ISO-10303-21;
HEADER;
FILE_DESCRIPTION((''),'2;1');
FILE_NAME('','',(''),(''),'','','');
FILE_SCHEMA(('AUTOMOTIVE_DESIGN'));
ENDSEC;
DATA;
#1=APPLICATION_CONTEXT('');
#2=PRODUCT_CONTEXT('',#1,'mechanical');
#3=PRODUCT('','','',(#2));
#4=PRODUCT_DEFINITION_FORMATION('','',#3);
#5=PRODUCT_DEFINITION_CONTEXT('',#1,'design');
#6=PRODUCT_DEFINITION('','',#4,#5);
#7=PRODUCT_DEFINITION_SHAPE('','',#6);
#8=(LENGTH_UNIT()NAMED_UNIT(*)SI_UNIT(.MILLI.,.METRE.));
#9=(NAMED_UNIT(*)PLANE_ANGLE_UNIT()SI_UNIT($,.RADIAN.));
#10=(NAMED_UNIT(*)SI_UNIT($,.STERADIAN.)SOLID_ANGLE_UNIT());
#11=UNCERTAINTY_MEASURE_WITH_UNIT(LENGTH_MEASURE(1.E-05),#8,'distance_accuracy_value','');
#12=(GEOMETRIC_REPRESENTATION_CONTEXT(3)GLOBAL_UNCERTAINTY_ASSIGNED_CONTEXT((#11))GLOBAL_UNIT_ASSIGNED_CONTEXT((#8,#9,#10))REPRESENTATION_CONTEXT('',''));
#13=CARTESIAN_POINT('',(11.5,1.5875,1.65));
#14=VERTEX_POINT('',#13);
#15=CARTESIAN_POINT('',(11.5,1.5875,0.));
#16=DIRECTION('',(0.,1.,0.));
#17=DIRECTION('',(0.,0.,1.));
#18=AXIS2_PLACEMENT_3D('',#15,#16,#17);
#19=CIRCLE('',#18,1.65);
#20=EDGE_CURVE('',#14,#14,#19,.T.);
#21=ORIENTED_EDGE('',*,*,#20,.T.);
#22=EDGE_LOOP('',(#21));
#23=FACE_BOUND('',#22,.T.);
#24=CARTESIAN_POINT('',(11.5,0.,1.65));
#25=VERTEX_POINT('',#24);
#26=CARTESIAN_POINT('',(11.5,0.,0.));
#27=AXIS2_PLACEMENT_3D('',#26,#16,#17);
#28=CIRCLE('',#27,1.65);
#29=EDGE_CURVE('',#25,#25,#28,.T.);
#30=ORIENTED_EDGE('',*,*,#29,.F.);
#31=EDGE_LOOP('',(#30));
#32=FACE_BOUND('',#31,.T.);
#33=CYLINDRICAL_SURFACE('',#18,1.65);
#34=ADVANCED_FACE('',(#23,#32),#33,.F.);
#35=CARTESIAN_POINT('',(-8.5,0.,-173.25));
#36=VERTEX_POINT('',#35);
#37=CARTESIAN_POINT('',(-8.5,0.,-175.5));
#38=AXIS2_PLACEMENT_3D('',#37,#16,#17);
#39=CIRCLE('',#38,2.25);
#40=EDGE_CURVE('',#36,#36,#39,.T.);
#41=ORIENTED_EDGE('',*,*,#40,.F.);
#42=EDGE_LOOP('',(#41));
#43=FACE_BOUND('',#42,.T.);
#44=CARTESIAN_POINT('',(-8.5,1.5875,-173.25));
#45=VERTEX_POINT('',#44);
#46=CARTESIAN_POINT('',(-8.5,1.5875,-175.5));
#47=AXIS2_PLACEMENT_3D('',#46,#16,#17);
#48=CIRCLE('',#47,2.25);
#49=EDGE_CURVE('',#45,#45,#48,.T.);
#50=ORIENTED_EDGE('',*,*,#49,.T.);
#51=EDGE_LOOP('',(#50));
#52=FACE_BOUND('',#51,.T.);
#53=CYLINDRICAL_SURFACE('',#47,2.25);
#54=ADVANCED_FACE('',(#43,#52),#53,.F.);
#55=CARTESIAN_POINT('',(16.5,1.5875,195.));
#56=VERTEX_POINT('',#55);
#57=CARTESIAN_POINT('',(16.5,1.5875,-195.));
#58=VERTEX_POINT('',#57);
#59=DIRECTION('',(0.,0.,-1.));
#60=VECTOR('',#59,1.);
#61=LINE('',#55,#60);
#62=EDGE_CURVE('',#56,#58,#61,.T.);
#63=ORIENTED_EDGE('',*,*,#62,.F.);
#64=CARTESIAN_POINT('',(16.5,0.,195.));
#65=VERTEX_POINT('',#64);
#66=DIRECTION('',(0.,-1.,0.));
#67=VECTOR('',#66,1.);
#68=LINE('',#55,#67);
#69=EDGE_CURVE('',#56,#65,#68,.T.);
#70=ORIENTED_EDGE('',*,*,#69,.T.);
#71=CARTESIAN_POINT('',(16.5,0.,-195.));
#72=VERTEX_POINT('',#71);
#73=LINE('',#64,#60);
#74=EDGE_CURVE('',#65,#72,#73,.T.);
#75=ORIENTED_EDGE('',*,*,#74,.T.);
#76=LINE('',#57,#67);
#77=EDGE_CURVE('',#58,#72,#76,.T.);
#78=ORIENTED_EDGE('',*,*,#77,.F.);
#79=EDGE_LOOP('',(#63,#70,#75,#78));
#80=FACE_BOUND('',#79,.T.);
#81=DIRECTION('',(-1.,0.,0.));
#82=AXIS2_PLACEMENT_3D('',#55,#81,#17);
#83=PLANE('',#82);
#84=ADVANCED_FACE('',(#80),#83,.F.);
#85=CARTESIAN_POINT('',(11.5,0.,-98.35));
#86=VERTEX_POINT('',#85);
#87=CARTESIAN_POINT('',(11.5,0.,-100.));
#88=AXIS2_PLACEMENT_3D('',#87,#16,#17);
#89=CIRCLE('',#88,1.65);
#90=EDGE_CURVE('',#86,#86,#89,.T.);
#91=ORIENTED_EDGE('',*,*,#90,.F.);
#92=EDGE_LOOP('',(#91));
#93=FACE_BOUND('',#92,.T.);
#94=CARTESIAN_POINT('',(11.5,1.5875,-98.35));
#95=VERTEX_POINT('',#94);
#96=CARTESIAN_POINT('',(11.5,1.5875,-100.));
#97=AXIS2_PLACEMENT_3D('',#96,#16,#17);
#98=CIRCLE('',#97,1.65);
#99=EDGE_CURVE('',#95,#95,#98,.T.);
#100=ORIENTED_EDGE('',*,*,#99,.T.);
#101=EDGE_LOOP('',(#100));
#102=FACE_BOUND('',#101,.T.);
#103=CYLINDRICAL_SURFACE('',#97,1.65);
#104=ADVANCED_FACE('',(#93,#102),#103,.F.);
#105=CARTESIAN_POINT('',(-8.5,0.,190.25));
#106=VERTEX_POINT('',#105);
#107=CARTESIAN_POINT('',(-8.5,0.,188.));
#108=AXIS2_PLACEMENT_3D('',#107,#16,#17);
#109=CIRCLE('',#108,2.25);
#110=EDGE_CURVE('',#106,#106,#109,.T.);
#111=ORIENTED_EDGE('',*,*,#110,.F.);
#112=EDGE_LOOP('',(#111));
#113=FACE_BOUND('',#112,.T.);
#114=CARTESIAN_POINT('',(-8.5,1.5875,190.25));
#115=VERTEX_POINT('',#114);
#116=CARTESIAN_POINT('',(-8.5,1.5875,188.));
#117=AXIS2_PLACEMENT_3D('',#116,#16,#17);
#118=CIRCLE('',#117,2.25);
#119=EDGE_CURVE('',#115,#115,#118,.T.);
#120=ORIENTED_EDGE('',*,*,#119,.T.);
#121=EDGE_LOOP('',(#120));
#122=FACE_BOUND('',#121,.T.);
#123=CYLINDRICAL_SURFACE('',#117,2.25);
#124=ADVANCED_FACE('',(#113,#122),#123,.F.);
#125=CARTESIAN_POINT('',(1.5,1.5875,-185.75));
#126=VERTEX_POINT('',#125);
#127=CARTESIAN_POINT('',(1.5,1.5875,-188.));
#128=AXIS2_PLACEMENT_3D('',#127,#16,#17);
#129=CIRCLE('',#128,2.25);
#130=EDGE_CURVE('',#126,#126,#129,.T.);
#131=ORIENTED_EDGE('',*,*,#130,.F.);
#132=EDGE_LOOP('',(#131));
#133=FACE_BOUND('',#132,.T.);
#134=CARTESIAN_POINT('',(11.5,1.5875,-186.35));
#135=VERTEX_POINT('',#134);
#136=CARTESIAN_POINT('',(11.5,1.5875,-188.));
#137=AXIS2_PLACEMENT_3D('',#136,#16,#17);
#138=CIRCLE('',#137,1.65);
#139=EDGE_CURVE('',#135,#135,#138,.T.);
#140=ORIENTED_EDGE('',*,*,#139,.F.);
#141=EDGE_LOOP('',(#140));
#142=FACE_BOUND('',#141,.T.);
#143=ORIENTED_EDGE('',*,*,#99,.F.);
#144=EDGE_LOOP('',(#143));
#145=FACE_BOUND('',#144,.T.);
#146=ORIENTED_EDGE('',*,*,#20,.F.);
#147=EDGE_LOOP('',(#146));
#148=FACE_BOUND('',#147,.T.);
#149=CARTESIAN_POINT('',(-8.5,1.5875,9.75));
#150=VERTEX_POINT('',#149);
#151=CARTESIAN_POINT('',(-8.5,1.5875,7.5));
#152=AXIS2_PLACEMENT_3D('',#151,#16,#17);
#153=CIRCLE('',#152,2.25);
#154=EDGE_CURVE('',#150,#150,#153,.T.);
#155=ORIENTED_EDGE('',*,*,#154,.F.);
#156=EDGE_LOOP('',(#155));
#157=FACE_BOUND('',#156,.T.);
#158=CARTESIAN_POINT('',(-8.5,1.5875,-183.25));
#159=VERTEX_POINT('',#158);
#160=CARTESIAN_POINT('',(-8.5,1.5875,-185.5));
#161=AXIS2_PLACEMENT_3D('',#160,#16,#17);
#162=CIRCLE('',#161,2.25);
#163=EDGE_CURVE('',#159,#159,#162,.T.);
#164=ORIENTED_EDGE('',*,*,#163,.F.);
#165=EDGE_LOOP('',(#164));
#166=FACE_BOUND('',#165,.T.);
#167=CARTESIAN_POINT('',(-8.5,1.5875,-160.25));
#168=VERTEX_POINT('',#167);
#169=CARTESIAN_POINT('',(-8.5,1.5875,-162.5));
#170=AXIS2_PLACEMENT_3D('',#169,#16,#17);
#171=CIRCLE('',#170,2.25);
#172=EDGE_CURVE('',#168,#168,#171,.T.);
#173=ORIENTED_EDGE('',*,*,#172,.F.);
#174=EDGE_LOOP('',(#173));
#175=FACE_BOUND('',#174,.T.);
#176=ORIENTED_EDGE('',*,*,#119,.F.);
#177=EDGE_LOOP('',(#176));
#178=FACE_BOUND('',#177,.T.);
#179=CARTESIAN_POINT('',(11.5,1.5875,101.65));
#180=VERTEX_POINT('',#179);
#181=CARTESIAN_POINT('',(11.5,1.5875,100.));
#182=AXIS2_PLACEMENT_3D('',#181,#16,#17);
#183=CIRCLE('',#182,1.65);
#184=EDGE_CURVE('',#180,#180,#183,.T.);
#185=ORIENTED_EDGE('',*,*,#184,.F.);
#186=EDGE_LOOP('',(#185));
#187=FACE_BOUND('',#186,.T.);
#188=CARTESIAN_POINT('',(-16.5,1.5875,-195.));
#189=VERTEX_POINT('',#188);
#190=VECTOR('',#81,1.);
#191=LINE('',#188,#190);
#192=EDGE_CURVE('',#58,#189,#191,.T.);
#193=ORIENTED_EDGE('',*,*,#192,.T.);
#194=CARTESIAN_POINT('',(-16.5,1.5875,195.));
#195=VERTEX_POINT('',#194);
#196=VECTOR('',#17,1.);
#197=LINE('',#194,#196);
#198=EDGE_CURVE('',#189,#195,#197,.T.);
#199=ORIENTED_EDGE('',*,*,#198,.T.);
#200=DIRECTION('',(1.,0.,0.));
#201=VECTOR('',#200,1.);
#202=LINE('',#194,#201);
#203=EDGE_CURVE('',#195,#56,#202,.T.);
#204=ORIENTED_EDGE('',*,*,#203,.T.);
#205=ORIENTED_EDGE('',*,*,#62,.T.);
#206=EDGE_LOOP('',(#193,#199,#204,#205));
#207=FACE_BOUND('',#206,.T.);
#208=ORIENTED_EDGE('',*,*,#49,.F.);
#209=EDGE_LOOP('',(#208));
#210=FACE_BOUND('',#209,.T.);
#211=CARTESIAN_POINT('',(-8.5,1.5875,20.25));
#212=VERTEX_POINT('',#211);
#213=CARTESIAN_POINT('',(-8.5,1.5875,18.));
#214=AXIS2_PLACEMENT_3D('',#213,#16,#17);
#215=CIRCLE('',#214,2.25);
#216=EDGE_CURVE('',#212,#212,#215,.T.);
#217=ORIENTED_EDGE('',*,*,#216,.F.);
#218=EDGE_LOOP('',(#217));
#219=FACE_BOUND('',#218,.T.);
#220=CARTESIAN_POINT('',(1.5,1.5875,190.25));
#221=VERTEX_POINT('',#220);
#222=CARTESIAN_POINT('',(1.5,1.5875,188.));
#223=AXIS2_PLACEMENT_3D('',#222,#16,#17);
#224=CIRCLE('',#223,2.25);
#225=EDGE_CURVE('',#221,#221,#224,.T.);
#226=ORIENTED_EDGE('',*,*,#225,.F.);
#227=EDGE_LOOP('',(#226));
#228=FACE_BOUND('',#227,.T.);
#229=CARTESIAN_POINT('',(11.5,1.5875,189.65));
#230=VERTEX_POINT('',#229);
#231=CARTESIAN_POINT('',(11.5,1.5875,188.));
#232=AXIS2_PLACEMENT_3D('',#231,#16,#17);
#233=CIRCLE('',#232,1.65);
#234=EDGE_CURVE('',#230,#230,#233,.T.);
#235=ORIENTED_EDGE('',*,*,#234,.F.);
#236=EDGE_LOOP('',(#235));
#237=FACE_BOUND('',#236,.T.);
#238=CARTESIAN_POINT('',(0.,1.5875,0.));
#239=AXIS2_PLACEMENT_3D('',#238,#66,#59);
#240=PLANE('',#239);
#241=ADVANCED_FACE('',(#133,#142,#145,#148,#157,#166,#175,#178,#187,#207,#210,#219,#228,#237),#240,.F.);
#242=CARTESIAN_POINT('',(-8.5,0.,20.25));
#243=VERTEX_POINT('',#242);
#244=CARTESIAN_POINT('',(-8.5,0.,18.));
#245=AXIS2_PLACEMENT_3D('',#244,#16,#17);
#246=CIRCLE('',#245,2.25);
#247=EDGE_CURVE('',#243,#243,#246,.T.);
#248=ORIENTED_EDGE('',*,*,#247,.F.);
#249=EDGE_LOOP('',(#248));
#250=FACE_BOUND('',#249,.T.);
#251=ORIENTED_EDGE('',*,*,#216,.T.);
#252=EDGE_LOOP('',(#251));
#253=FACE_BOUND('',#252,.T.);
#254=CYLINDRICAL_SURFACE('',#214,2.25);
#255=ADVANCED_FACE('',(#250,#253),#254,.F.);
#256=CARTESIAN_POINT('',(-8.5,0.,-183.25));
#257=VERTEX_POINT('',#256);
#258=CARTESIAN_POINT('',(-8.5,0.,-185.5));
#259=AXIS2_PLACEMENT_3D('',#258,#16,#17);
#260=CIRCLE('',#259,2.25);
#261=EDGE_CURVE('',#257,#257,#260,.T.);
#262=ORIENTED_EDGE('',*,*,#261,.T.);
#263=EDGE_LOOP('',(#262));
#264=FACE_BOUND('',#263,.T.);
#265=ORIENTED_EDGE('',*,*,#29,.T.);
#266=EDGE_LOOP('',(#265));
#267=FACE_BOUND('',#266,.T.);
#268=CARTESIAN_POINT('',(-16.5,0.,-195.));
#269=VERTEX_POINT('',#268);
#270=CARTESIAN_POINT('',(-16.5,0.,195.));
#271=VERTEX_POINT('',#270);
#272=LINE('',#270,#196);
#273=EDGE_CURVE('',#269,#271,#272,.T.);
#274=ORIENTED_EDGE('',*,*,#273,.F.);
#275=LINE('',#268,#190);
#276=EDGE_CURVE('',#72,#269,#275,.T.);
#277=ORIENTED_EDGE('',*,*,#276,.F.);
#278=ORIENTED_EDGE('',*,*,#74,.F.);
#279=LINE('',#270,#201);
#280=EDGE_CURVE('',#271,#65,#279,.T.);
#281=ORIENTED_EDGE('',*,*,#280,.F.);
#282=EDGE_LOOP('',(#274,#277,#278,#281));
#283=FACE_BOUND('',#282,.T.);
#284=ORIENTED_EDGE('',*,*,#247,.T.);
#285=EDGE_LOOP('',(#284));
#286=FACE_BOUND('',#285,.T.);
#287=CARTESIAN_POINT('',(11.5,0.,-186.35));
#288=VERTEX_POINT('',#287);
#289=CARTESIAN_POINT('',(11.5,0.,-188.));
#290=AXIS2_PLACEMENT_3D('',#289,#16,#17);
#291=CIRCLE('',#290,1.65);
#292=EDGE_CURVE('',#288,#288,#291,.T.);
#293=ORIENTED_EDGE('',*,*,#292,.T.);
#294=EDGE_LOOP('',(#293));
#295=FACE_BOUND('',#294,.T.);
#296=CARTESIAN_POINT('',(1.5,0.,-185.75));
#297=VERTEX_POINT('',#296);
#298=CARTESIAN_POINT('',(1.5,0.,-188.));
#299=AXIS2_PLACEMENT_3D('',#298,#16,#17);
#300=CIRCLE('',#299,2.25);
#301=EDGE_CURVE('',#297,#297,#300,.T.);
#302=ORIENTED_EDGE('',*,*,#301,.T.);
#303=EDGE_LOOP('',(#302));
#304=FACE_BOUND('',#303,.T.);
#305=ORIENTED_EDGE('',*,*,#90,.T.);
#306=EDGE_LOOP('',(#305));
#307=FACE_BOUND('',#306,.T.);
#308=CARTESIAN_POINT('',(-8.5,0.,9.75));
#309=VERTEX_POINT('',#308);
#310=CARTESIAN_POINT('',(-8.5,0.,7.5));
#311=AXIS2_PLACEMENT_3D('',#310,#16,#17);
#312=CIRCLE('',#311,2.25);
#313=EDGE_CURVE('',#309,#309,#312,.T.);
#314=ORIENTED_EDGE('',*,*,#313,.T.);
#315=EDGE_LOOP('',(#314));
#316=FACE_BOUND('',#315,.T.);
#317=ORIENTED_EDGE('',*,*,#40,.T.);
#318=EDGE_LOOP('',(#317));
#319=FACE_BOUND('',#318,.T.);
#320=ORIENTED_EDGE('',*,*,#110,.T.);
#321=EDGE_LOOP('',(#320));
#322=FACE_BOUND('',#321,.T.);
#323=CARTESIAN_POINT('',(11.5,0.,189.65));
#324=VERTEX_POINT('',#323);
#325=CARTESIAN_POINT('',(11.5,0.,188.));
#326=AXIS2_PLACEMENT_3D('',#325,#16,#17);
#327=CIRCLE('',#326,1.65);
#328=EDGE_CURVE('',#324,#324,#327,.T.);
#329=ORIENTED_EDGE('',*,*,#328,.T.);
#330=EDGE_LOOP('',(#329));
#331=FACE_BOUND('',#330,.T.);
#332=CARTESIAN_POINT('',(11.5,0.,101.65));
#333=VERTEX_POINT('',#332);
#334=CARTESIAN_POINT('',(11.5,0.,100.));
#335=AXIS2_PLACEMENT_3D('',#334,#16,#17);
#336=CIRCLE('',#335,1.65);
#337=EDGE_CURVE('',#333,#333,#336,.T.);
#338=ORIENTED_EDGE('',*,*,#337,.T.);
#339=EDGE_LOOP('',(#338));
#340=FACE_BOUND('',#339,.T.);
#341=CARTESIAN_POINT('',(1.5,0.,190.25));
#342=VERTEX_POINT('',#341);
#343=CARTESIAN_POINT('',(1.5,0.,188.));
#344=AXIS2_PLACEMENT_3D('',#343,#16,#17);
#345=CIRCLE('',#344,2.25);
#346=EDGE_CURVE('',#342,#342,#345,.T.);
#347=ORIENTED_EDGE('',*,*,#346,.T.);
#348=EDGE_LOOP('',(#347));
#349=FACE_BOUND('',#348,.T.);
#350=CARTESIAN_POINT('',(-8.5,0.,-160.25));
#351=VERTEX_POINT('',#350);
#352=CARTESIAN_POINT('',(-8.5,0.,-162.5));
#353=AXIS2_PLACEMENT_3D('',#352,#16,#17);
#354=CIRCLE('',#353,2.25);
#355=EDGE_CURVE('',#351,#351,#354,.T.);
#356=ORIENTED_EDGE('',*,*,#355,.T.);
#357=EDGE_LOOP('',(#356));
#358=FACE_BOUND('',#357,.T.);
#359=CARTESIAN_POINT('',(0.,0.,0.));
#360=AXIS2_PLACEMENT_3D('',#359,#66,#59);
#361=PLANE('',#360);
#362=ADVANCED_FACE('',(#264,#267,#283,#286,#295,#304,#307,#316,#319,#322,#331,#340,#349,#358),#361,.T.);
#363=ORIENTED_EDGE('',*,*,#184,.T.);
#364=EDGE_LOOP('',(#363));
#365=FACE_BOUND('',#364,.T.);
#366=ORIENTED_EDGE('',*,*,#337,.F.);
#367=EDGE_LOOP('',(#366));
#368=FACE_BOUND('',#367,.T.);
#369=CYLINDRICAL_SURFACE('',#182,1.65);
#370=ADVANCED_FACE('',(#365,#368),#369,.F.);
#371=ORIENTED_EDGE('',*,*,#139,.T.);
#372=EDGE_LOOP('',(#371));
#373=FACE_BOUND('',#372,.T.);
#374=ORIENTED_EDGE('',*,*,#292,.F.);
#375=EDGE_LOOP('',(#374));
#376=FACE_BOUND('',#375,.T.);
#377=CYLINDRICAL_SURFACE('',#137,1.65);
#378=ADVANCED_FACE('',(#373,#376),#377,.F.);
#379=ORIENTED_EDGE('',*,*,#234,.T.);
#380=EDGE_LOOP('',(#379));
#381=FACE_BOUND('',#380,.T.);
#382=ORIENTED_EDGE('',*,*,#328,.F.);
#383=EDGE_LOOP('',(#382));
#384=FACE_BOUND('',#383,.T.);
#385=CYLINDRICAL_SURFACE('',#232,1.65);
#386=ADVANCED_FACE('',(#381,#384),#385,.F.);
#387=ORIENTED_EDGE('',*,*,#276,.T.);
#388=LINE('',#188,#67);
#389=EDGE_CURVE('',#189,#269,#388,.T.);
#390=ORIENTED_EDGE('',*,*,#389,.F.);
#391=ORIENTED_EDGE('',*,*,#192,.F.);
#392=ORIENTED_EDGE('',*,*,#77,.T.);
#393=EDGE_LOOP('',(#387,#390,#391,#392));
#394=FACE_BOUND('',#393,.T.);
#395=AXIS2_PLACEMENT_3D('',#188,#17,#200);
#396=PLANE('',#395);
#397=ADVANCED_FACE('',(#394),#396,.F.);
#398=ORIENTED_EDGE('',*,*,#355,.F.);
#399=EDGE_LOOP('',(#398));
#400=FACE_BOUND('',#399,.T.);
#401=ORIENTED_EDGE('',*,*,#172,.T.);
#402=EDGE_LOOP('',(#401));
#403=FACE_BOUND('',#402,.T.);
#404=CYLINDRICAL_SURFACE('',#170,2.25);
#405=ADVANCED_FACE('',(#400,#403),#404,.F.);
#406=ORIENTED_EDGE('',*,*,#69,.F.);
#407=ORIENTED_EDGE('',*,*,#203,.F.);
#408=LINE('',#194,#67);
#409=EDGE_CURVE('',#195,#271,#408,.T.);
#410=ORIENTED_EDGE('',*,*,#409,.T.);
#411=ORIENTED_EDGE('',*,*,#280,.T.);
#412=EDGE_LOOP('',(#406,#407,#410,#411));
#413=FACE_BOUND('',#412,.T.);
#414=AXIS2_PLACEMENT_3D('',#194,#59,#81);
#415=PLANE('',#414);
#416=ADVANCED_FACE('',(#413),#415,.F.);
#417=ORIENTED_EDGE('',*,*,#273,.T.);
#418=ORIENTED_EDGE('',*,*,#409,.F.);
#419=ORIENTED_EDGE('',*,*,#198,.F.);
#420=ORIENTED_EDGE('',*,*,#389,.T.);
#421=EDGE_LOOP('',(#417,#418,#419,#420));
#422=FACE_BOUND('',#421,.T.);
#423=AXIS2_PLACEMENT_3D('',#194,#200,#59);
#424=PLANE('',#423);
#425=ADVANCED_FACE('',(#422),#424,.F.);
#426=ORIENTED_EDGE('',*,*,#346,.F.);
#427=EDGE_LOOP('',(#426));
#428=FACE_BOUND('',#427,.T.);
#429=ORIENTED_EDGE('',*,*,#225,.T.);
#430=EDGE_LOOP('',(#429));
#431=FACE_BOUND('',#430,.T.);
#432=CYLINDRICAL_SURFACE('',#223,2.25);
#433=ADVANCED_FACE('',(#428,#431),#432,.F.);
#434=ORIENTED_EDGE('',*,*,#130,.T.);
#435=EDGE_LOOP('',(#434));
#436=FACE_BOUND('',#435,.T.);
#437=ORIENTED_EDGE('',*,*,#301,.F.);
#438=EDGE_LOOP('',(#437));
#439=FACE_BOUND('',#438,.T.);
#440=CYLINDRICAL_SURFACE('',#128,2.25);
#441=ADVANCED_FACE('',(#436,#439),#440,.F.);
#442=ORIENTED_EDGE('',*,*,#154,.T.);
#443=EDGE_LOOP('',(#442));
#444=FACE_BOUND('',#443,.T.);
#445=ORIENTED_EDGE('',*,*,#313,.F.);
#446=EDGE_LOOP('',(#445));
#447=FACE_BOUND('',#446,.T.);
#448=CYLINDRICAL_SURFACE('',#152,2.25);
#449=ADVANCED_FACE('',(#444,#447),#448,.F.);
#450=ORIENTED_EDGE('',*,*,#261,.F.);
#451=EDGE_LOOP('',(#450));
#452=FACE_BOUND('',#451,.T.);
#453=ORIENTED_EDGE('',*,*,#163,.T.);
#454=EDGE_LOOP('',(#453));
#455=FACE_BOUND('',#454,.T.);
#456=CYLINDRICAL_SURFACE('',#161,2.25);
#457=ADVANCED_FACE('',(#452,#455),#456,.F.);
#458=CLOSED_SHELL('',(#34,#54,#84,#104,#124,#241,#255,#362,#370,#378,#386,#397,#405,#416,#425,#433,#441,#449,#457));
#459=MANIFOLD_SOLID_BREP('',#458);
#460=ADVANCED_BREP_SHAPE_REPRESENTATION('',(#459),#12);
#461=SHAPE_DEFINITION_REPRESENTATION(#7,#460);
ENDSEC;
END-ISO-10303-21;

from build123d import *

# Parameters (mm, degrees)
SKETCH1_W             = 33
SKETCH1_H             = 390
BOSS_EXTRUDE1_DEPTH   = 1.5875
M4_CLEARANCE_HOLE1_D  = 4.5
M4X0_7_TAPPED_HOLE1_D = 3.3


with BuildPart() as part:
    # Sketch1 → Boss-Extrude1 (new body)
    with BuildSketch(Plane(origin=(0, 0, 0), x_dir=(1, 0, 0), z_dir=(0, 1, 0))):
        Rectangle(SKETCH1_W, SKETCH1_H)
    extrude(amount=BOSS_EXTRUDE1_DEPTH)

    # M4 Clearance Hole1 (through all)
    with Locations(Plane(origin=(0, 1.5875, 0), x_dir=(1, 0, 0), z_dir=(0, 1, 0))):
        with Locations((1.5, 188), (-8.5, 185.5), (-8.5, 175.5), (-8.5, 162.5), (-8.5, -7.5), (-8.5, -18), (-8.5, -188), (1.5, -188)):
            Hole(M4_CLEARANCE_HOLE1_D / 2)

    # M4x0.7 Tapped Hole1 (through all)
    with Locations(Plane(origin=(0, 1.5875, 0), x_dir=(1, 0, 0), z_dir=(0, 1, 0))):
        with Locations((11.5, 188), (11.5, -188), (11.5, 100), (11.5, -100), (11.5, 0)):
            Hole(M4X0_7_TAPPED_HOLE1_D / 2)


solid = part.part
